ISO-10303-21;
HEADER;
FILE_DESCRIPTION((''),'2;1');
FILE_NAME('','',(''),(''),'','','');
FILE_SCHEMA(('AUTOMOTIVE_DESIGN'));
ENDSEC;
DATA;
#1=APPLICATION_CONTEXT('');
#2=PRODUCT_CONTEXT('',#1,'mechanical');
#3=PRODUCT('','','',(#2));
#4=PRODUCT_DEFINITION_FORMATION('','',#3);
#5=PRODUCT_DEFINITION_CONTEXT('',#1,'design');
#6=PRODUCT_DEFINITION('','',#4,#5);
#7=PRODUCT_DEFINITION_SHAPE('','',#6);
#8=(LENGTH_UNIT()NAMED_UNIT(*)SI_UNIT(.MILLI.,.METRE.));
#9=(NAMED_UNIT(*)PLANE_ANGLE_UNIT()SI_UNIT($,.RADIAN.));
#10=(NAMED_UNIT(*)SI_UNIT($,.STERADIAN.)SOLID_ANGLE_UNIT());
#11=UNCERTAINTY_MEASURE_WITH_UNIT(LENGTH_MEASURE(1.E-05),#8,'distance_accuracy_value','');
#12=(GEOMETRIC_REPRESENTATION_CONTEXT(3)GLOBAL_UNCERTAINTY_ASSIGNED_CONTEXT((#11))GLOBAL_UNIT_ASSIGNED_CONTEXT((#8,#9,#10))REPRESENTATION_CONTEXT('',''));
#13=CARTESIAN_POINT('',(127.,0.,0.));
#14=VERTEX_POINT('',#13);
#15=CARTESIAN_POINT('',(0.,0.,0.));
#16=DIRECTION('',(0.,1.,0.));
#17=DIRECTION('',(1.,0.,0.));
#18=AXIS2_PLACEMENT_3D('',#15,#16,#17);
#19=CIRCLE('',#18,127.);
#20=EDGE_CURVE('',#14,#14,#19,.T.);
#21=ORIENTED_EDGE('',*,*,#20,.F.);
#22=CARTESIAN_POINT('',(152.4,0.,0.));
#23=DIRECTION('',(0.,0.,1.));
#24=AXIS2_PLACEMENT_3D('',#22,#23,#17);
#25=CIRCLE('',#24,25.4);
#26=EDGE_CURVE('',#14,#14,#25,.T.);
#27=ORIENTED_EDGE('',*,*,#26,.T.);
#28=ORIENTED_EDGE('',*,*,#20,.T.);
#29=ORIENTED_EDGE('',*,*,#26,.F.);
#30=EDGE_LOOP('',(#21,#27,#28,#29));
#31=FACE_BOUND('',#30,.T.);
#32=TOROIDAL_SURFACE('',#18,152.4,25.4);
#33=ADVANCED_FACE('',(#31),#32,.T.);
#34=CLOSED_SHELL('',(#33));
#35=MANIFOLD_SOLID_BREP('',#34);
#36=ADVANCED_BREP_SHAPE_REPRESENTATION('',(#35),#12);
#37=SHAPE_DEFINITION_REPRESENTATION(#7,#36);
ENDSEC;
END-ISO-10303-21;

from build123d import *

# Parameters (mm, degrees)
SKETCH2_R = 25.4


with BuildPart() as part:
    # Sweep1: sweep along a path in Sketch1
    with BuildLine(Plane(origin=(0, 0, 0), x_dir=(1, 0, 0), z_dir=(0, 1, 0))) as sweep1_path:
        CenterArc((0, 0), 152.4, 0, 360)
    # Sketch2 → Sweep1 (sweep)
    with BuildSketch(Plane.XY):
        with Locations((-152.4, 0)):
            Circle(SKETCH2_R)
    sweep(path=sweep1_path.line)


solid = part.part
